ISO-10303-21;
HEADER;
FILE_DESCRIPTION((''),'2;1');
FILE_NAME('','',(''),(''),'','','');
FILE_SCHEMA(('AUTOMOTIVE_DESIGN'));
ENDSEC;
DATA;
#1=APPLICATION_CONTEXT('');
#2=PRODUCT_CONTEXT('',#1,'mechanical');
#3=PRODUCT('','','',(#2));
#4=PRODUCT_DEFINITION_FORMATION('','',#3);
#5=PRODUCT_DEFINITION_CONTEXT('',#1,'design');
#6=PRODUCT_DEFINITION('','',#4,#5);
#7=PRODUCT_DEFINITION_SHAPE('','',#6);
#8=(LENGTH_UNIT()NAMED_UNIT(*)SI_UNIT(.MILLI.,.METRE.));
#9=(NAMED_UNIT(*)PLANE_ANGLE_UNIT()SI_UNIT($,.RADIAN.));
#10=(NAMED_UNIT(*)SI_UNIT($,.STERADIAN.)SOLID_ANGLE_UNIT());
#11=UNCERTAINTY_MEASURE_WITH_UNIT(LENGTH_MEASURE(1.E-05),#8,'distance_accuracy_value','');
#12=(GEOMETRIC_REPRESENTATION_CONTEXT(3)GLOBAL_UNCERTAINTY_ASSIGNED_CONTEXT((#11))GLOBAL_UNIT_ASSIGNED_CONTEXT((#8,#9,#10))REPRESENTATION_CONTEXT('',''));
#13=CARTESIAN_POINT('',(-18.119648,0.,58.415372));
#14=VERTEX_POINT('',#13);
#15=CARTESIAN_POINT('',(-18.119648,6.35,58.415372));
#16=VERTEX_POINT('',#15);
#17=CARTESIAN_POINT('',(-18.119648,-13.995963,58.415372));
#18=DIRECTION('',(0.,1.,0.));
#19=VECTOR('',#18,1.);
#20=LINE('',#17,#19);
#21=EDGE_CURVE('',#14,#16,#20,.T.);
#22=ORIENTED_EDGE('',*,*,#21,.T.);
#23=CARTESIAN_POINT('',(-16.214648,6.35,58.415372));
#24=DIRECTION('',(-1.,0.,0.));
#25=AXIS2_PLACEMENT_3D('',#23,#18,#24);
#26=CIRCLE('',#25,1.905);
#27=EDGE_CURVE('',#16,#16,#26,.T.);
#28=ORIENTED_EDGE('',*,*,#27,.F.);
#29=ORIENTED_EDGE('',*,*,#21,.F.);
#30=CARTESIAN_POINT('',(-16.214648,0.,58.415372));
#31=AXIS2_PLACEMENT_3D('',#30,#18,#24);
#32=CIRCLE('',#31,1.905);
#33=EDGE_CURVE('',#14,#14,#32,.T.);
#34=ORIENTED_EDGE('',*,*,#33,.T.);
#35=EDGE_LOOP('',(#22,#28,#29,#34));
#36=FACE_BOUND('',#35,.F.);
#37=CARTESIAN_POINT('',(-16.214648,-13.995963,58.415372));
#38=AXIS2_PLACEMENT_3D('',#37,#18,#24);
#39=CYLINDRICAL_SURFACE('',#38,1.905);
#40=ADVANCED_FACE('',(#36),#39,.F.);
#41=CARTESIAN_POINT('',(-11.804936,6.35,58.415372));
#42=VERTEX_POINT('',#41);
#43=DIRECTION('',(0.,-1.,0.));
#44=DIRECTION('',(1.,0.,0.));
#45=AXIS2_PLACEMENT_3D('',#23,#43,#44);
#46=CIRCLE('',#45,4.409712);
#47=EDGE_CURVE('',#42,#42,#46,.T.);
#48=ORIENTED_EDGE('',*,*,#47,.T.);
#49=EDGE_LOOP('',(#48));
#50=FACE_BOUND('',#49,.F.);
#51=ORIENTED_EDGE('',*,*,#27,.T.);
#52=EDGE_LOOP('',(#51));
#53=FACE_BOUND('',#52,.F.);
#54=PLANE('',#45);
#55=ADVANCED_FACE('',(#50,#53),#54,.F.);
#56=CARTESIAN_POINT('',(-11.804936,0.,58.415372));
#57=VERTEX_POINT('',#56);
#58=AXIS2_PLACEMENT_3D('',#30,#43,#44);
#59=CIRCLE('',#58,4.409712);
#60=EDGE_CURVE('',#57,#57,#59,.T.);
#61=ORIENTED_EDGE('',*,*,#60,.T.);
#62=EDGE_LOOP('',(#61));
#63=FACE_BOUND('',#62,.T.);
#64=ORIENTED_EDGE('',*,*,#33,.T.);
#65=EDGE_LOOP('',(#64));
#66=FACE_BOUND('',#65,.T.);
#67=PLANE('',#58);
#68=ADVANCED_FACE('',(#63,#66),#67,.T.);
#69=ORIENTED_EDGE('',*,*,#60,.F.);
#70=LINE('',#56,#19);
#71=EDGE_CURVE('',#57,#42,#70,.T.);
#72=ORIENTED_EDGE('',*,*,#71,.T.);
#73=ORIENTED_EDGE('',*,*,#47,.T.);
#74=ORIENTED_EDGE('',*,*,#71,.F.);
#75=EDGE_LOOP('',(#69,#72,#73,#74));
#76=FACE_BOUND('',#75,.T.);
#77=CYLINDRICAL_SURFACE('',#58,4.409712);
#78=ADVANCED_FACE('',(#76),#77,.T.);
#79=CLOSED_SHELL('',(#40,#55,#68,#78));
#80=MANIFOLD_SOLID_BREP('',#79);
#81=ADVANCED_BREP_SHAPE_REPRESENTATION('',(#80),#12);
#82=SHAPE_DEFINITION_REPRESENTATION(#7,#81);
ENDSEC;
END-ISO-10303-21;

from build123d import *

# Parameters (mm, degrees)
F0_R     = 4.409712
F1_DEPTH = 6.35
F2_D     = 3.81


with BuildPart() as f1:
    # F0 (on Front) → F1 (new body)
    with BuildSketch(Plane.XZ):
        with Locations((-16.214648, 58.415372)):
            Circle(F0_R)
    extrude(amount=-F1_DEPTH)

    # F2 (through all)
    with Locations(Plane.XZ):
        with Locations((-16.214648, 58.415372)):
            Hole(F2_D / 2)


solid = f1.part
